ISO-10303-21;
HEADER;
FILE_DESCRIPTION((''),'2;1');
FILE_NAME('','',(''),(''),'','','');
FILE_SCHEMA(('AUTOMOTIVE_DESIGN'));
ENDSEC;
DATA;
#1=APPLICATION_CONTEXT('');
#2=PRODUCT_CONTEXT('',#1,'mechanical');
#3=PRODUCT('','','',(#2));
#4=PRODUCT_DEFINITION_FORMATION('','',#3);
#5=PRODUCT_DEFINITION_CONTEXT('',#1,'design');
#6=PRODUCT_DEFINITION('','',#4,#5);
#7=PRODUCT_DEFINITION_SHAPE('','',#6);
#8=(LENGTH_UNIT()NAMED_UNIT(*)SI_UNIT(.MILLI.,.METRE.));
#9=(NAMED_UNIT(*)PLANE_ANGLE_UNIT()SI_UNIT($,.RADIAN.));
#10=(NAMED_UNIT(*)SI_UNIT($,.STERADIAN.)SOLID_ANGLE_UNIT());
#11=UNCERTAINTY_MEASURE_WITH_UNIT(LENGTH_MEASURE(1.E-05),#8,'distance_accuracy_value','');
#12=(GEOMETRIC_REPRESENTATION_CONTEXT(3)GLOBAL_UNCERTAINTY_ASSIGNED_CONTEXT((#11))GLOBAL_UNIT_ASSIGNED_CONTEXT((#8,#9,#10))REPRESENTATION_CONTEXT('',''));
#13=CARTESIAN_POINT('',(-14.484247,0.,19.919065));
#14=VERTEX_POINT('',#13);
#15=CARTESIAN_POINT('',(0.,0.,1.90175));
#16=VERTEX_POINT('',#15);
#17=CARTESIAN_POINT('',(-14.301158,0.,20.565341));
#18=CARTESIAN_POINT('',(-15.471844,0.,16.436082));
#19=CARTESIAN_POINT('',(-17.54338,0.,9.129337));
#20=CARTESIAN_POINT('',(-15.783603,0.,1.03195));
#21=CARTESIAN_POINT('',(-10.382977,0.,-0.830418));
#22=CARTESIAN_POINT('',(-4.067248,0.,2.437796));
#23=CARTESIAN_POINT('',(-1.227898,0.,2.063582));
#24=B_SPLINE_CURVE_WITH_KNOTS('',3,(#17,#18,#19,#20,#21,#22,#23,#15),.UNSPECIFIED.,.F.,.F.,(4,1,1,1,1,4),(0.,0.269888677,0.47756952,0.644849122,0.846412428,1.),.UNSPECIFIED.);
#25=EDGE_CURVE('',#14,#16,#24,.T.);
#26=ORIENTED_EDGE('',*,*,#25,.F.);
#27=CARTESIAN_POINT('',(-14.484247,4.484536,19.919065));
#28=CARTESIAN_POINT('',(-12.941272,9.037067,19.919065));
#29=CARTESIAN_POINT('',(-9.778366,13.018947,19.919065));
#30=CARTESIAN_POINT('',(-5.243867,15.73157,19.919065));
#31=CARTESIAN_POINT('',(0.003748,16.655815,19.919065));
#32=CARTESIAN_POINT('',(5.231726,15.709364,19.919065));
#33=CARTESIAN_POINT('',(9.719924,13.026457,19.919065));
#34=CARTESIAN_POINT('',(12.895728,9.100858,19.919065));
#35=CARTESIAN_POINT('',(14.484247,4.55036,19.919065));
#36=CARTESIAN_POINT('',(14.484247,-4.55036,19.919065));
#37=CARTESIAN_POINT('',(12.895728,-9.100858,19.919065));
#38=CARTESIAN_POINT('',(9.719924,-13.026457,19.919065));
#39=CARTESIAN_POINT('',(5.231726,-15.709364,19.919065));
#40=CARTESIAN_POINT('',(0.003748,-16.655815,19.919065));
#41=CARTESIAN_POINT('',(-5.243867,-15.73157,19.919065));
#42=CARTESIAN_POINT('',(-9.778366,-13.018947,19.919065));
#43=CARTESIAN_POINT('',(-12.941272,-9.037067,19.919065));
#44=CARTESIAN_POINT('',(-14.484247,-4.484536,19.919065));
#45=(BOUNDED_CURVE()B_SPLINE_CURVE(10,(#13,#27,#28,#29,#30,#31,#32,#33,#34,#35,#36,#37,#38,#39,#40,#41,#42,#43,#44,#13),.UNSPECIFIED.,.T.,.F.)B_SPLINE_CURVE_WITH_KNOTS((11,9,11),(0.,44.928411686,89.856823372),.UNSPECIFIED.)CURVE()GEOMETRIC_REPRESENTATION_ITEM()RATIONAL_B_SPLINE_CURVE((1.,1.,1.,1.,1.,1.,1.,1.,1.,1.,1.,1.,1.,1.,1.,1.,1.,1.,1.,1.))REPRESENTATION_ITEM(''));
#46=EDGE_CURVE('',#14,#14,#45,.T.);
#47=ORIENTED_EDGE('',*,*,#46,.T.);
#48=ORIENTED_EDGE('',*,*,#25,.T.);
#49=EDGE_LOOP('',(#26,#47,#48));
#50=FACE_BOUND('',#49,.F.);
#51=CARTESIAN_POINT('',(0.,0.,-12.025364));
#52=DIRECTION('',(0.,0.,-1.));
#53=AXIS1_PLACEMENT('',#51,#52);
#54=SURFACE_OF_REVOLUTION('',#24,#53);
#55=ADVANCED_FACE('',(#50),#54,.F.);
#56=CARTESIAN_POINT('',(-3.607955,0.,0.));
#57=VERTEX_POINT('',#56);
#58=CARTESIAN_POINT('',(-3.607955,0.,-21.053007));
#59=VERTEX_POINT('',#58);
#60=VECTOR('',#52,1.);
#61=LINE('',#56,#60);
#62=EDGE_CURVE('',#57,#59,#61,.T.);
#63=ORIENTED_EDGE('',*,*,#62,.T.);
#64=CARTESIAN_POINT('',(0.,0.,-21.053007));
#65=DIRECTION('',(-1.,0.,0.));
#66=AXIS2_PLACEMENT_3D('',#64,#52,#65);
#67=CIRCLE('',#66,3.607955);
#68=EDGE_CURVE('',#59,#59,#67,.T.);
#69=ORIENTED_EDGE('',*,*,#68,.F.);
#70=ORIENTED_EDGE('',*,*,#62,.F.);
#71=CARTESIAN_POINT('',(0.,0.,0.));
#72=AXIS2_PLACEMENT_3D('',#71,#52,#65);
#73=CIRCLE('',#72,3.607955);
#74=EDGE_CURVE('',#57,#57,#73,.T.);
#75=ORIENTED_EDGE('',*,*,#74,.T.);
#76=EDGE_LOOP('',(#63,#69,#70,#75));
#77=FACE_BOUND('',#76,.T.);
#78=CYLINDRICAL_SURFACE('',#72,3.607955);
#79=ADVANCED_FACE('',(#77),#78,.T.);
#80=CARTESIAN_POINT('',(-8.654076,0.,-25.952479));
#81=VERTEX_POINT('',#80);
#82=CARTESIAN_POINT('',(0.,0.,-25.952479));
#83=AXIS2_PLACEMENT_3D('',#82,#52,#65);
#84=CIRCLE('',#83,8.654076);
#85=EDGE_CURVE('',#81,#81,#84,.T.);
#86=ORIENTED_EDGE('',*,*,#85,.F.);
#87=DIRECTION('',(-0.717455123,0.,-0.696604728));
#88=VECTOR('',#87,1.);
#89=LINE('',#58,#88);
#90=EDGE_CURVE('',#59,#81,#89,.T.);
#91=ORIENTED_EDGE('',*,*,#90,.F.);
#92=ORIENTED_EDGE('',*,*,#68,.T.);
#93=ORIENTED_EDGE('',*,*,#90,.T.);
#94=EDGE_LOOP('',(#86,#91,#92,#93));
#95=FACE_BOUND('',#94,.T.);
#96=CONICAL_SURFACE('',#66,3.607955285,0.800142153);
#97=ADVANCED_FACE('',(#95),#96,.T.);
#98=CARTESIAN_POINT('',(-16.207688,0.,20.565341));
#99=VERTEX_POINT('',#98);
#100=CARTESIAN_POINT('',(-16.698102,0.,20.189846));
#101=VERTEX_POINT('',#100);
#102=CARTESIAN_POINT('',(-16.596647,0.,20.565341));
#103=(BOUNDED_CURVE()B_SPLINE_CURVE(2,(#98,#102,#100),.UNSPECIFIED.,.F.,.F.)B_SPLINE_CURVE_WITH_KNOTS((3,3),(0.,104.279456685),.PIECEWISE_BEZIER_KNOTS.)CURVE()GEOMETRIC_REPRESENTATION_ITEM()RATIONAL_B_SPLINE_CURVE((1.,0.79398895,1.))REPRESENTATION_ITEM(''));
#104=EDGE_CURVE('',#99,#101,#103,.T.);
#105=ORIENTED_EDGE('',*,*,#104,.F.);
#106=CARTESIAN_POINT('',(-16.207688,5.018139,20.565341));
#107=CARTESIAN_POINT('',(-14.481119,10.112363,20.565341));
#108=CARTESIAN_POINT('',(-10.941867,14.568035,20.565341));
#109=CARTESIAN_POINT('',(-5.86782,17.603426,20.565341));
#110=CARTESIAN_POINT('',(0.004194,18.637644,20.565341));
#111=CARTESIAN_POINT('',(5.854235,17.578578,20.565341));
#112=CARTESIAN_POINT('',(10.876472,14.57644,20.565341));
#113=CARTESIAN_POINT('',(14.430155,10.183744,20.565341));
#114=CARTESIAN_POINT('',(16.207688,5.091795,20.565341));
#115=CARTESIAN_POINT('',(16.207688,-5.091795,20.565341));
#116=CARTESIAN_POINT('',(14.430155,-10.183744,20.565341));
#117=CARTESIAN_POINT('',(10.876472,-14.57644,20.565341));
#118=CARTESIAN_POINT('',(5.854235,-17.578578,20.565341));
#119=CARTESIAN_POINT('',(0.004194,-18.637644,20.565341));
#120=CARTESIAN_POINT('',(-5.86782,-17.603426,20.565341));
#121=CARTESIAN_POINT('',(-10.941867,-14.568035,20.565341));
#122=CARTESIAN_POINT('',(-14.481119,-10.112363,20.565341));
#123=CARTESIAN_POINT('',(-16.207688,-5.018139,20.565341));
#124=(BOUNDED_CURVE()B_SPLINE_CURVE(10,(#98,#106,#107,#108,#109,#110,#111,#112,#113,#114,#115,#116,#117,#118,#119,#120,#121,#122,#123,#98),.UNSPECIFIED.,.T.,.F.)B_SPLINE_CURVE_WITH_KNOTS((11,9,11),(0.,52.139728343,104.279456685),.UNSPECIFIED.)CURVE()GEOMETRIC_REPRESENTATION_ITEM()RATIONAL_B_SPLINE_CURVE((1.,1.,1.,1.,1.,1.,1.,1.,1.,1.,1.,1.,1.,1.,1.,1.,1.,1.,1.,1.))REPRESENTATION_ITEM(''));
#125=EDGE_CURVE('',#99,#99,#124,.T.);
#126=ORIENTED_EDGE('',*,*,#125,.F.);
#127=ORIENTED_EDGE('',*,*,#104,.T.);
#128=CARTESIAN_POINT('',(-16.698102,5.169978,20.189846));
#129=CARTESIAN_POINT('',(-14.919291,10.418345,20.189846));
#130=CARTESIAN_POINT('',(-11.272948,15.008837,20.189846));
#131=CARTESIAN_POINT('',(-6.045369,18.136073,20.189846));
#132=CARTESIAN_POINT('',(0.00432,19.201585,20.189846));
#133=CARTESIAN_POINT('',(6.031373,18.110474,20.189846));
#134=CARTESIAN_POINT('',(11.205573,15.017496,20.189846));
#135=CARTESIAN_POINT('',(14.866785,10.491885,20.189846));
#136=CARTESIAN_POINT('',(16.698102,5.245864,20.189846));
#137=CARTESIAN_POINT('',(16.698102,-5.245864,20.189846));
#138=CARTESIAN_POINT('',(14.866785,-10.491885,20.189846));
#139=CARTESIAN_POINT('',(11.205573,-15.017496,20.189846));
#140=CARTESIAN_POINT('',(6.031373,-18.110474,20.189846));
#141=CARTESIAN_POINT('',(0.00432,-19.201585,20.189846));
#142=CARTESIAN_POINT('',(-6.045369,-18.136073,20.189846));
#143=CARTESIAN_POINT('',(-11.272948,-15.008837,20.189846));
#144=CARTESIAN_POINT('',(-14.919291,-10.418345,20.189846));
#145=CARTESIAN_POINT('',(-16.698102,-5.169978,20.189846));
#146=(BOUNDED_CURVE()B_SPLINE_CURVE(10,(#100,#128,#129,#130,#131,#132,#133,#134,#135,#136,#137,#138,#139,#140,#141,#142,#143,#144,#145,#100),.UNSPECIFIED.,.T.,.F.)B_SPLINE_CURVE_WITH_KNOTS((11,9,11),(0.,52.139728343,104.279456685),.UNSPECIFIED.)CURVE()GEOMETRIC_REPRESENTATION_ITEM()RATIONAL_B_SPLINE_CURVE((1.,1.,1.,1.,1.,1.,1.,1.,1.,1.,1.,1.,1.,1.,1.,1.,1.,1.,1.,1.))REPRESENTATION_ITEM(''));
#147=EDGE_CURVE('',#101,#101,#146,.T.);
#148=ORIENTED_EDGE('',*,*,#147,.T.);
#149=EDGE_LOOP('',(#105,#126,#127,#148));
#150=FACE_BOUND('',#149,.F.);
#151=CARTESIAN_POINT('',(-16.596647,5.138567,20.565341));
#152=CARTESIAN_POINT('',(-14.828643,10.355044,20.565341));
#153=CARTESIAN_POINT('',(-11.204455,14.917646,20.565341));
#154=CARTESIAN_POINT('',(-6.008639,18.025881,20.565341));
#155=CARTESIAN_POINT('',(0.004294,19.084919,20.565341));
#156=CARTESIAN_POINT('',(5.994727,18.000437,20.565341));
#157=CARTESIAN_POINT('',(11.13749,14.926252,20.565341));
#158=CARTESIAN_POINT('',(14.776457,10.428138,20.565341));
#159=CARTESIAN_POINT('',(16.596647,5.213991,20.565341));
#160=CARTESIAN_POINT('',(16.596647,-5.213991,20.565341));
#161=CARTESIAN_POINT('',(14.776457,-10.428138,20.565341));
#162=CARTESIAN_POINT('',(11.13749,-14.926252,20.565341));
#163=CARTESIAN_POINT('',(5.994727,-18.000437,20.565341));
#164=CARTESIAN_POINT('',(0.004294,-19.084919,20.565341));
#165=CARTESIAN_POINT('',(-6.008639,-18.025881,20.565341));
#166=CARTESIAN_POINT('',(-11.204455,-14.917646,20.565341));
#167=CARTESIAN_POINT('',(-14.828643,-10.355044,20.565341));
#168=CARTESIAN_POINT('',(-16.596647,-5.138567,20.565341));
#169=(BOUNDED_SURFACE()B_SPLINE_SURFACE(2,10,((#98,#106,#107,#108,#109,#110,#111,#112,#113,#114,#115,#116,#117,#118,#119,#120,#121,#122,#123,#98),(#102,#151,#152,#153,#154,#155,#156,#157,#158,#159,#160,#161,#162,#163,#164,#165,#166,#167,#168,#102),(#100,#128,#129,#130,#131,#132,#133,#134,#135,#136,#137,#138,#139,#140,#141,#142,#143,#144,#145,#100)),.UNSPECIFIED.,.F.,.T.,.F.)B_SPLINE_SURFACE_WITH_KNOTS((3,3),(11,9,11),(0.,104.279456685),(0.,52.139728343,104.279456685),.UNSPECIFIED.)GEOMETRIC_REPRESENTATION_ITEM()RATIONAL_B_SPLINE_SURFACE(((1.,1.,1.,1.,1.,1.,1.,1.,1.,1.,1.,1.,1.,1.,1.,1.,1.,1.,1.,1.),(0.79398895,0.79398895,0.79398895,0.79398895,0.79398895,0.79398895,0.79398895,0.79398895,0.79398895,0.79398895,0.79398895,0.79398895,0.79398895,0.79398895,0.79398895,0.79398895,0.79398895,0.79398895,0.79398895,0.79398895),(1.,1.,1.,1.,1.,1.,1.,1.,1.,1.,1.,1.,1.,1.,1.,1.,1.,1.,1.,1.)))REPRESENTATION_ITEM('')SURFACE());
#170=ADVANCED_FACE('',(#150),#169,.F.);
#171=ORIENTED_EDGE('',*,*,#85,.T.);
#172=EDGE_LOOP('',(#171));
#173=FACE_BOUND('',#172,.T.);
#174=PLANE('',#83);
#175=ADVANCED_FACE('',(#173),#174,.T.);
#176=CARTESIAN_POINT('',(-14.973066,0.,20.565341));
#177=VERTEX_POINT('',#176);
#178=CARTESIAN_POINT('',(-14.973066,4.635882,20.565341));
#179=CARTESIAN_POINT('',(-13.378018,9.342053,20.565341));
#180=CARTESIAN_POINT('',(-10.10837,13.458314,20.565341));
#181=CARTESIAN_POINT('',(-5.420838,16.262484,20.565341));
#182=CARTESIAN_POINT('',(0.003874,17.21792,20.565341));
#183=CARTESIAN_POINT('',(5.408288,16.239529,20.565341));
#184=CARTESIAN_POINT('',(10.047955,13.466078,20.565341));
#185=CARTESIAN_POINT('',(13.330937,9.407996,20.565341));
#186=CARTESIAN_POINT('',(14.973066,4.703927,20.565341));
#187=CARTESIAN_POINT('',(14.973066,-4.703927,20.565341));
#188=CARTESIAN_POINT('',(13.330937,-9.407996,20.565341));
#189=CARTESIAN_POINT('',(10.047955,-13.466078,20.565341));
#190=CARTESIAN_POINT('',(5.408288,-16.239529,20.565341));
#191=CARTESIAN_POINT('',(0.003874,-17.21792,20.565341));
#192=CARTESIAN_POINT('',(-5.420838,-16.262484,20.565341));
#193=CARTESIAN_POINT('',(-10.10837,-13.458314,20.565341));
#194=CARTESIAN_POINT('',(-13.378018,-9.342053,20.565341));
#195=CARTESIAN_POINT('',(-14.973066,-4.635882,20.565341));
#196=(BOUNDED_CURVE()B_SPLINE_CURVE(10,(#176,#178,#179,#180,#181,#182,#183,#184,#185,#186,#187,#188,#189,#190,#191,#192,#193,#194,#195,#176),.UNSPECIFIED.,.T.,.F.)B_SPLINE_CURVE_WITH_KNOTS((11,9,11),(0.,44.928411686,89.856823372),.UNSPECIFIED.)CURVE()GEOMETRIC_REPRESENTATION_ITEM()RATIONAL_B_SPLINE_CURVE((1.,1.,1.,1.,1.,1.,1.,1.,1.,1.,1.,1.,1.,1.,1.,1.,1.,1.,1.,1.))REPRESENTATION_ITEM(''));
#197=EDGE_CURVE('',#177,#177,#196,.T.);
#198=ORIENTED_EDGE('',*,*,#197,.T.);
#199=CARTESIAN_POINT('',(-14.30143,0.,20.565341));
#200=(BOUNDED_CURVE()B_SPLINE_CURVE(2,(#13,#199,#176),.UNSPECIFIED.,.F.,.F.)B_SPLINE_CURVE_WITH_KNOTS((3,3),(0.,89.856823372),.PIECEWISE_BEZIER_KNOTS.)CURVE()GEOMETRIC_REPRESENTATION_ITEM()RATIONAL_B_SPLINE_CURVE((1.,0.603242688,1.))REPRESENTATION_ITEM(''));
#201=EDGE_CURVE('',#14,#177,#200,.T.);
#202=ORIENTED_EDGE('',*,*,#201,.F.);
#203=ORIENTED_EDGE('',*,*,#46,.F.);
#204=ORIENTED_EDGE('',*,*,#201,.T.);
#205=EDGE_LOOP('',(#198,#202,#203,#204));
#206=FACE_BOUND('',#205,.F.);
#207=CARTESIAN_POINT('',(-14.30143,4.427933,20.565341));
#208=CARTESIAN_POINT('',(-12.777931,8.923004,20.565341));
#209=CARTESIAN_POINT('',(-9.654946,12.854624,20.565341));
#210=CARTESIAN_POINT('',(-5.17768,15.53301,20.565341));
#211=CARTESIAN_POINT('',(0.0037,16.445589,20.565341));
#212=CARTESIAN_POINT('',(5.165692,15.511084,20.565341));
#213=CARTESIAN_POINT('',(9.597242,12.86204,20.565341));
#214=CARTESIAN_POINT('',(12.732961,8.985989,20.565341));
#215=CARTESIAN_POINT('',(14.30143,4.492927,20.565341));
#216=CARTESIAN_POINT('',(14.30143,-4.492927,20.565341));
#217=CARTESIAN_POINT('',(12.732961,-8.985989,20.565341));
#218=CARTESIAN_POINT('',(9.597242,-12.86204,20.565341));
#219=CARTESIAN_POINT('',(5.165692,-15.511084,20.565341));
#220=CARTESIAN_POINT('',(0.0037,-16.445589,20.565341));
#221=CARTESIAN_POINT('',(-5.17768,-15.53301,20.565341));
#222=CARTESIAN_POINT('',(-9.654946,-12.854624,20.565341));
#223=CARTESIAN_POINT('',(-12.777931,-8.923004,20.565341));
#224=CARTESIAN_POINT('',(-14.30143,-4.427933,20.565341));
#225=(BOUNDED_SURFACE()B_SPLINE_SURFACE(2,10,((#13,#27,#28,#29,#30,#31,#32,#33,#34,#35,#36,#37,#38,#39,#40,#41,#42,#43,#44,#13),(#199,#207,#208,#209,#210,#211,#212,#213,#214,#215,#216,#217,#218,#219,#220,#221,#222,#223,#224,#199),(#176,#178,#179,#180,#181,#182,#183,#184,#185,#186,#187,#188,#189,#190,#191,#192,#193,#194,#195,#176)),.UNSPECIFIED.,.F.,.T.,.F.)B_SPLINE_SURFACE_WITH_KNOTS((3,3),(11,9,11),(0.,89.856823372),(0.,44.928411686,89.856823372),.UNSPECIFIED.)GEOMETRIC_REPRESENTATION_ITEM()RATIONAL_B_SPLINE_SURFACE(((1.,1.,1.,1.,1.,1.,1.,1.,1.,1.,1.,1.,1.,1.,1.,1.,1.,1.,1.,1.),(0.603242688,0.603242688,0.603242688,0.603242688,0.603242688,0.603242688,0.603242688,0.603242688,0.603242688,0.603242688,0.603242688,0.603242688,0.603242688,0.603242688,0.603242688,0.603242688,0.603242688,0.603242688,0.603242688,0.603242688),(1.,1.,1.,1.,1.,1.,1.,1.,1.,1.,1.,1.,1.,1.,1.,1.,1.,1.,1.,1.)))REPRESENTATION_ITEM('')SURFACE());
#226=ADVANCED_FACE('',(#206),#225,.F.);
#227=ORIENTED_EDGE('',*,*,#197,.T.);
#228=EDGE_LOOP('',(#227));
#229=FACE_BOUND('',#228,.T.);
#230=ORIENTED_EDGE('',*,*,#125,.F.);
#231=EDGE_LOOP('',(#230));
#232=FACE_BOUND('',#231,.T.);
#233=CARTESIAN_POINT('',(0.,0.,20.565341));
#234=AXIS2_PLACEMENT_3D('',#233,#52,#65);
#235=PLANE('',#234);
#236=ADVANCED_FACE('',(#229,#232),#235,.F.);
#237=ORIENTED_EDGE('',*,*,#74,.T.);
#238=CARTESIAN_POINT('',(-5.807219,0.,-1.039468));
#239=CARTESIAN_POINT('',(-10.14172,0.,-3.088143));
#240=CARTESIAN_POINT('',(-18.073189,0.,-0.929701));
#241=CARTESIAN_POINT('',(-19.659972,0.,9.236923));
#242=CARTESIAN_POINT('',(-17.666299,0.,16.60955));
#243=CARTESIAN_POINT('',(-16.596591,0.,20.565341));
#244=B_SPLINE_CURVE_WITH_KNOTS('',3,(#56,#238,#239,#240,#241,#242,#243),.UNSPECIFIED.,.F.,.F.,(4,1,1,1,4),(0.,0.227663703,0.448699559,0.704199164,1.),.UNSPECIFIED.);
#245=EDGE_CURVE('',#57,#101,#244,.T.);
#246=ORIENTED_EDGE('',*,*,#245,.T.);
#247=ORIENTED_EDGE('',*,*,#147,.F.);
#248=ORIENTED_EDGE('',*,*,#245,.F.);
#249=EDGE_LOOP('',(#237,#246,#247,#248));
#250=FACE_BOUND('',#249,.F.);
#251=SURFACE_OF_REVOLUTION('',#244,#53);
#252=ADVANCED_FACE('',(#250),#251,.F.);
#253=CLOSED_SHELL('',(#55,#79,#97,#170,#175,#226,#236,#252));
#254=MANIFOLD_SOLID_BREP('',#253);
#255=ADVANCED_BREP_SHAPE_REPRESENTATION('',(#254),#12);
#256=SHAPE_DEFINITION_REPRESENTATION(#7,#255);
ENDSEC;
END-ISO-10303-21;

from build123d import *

# Parameters (mm, degrees)
F2_R = 0.508


with BuildPart() as f1:
    # F0 (on Front) → F1 (revolve)
    with BuildSketch(Plane.XZ):
        with BuildLine():
            Line((-3.607955285, 0), (-3.607955285, -21.053006822))
            Line((-3.607955285, -21.053006822), (-8.6540756747, -25.9524788707))
            Line((-8.6540756747, -25.9524788707), (0, -25.9524788707))
            Line((0, -25.9524788707), (0, 1.901750025))
            add(Edge.make_bspline(
                [(-14.3011576102, 20.5653405251), (-15.4718437963, 16.4360822845), (-17.5433795355, 9.129336785), (-15.7836026315, 1.0319503248), (-10.3829766218, -0.8304184403), (-4.0672481954, 2.4377960875), (-1.2278977043, 2.0635817348), (0, 1.901750025)],
                knots=[0, 0, 0, 0, 0.2698886769, 0.4775695199, 0.6448491219, 0.846412428, 1, 1, 1, 1], degree=3))
            Line((-14.3011576102, 20.5653405251), (-16.5965909944, 20.5653405251))
            add(Edge.make_bspline(
                [(-3.607955285, 0), (-5.807218732, -1.0394680065), (-10.1417196844, -3.0881425618), (-18.0731890279, -0.9297014812), (-19.6599719163, 9.2369233812), (-17.6662985507, 16.6095499366), (-16.5965909944, 20.5653405251)],
                knots=[0, 0, 0, 0, 0.2276637032, 0.4486995588, 0.7041991643, 1, 1, 1, 1], degree=3))
        make_face()
    revolve(axis=Axis((0, 0, -12.0253644229), (0, 0, -1)))

    # F2
    f2_edges = [f1.edges().sort_by_distance(p)[0] for p in [
        (16.596591, 0, 20.565341),
        (14.301158, 0, 20.565341),
    ]]
    fillet(f2_edges, radius=F2_R)


solid = f1.part
